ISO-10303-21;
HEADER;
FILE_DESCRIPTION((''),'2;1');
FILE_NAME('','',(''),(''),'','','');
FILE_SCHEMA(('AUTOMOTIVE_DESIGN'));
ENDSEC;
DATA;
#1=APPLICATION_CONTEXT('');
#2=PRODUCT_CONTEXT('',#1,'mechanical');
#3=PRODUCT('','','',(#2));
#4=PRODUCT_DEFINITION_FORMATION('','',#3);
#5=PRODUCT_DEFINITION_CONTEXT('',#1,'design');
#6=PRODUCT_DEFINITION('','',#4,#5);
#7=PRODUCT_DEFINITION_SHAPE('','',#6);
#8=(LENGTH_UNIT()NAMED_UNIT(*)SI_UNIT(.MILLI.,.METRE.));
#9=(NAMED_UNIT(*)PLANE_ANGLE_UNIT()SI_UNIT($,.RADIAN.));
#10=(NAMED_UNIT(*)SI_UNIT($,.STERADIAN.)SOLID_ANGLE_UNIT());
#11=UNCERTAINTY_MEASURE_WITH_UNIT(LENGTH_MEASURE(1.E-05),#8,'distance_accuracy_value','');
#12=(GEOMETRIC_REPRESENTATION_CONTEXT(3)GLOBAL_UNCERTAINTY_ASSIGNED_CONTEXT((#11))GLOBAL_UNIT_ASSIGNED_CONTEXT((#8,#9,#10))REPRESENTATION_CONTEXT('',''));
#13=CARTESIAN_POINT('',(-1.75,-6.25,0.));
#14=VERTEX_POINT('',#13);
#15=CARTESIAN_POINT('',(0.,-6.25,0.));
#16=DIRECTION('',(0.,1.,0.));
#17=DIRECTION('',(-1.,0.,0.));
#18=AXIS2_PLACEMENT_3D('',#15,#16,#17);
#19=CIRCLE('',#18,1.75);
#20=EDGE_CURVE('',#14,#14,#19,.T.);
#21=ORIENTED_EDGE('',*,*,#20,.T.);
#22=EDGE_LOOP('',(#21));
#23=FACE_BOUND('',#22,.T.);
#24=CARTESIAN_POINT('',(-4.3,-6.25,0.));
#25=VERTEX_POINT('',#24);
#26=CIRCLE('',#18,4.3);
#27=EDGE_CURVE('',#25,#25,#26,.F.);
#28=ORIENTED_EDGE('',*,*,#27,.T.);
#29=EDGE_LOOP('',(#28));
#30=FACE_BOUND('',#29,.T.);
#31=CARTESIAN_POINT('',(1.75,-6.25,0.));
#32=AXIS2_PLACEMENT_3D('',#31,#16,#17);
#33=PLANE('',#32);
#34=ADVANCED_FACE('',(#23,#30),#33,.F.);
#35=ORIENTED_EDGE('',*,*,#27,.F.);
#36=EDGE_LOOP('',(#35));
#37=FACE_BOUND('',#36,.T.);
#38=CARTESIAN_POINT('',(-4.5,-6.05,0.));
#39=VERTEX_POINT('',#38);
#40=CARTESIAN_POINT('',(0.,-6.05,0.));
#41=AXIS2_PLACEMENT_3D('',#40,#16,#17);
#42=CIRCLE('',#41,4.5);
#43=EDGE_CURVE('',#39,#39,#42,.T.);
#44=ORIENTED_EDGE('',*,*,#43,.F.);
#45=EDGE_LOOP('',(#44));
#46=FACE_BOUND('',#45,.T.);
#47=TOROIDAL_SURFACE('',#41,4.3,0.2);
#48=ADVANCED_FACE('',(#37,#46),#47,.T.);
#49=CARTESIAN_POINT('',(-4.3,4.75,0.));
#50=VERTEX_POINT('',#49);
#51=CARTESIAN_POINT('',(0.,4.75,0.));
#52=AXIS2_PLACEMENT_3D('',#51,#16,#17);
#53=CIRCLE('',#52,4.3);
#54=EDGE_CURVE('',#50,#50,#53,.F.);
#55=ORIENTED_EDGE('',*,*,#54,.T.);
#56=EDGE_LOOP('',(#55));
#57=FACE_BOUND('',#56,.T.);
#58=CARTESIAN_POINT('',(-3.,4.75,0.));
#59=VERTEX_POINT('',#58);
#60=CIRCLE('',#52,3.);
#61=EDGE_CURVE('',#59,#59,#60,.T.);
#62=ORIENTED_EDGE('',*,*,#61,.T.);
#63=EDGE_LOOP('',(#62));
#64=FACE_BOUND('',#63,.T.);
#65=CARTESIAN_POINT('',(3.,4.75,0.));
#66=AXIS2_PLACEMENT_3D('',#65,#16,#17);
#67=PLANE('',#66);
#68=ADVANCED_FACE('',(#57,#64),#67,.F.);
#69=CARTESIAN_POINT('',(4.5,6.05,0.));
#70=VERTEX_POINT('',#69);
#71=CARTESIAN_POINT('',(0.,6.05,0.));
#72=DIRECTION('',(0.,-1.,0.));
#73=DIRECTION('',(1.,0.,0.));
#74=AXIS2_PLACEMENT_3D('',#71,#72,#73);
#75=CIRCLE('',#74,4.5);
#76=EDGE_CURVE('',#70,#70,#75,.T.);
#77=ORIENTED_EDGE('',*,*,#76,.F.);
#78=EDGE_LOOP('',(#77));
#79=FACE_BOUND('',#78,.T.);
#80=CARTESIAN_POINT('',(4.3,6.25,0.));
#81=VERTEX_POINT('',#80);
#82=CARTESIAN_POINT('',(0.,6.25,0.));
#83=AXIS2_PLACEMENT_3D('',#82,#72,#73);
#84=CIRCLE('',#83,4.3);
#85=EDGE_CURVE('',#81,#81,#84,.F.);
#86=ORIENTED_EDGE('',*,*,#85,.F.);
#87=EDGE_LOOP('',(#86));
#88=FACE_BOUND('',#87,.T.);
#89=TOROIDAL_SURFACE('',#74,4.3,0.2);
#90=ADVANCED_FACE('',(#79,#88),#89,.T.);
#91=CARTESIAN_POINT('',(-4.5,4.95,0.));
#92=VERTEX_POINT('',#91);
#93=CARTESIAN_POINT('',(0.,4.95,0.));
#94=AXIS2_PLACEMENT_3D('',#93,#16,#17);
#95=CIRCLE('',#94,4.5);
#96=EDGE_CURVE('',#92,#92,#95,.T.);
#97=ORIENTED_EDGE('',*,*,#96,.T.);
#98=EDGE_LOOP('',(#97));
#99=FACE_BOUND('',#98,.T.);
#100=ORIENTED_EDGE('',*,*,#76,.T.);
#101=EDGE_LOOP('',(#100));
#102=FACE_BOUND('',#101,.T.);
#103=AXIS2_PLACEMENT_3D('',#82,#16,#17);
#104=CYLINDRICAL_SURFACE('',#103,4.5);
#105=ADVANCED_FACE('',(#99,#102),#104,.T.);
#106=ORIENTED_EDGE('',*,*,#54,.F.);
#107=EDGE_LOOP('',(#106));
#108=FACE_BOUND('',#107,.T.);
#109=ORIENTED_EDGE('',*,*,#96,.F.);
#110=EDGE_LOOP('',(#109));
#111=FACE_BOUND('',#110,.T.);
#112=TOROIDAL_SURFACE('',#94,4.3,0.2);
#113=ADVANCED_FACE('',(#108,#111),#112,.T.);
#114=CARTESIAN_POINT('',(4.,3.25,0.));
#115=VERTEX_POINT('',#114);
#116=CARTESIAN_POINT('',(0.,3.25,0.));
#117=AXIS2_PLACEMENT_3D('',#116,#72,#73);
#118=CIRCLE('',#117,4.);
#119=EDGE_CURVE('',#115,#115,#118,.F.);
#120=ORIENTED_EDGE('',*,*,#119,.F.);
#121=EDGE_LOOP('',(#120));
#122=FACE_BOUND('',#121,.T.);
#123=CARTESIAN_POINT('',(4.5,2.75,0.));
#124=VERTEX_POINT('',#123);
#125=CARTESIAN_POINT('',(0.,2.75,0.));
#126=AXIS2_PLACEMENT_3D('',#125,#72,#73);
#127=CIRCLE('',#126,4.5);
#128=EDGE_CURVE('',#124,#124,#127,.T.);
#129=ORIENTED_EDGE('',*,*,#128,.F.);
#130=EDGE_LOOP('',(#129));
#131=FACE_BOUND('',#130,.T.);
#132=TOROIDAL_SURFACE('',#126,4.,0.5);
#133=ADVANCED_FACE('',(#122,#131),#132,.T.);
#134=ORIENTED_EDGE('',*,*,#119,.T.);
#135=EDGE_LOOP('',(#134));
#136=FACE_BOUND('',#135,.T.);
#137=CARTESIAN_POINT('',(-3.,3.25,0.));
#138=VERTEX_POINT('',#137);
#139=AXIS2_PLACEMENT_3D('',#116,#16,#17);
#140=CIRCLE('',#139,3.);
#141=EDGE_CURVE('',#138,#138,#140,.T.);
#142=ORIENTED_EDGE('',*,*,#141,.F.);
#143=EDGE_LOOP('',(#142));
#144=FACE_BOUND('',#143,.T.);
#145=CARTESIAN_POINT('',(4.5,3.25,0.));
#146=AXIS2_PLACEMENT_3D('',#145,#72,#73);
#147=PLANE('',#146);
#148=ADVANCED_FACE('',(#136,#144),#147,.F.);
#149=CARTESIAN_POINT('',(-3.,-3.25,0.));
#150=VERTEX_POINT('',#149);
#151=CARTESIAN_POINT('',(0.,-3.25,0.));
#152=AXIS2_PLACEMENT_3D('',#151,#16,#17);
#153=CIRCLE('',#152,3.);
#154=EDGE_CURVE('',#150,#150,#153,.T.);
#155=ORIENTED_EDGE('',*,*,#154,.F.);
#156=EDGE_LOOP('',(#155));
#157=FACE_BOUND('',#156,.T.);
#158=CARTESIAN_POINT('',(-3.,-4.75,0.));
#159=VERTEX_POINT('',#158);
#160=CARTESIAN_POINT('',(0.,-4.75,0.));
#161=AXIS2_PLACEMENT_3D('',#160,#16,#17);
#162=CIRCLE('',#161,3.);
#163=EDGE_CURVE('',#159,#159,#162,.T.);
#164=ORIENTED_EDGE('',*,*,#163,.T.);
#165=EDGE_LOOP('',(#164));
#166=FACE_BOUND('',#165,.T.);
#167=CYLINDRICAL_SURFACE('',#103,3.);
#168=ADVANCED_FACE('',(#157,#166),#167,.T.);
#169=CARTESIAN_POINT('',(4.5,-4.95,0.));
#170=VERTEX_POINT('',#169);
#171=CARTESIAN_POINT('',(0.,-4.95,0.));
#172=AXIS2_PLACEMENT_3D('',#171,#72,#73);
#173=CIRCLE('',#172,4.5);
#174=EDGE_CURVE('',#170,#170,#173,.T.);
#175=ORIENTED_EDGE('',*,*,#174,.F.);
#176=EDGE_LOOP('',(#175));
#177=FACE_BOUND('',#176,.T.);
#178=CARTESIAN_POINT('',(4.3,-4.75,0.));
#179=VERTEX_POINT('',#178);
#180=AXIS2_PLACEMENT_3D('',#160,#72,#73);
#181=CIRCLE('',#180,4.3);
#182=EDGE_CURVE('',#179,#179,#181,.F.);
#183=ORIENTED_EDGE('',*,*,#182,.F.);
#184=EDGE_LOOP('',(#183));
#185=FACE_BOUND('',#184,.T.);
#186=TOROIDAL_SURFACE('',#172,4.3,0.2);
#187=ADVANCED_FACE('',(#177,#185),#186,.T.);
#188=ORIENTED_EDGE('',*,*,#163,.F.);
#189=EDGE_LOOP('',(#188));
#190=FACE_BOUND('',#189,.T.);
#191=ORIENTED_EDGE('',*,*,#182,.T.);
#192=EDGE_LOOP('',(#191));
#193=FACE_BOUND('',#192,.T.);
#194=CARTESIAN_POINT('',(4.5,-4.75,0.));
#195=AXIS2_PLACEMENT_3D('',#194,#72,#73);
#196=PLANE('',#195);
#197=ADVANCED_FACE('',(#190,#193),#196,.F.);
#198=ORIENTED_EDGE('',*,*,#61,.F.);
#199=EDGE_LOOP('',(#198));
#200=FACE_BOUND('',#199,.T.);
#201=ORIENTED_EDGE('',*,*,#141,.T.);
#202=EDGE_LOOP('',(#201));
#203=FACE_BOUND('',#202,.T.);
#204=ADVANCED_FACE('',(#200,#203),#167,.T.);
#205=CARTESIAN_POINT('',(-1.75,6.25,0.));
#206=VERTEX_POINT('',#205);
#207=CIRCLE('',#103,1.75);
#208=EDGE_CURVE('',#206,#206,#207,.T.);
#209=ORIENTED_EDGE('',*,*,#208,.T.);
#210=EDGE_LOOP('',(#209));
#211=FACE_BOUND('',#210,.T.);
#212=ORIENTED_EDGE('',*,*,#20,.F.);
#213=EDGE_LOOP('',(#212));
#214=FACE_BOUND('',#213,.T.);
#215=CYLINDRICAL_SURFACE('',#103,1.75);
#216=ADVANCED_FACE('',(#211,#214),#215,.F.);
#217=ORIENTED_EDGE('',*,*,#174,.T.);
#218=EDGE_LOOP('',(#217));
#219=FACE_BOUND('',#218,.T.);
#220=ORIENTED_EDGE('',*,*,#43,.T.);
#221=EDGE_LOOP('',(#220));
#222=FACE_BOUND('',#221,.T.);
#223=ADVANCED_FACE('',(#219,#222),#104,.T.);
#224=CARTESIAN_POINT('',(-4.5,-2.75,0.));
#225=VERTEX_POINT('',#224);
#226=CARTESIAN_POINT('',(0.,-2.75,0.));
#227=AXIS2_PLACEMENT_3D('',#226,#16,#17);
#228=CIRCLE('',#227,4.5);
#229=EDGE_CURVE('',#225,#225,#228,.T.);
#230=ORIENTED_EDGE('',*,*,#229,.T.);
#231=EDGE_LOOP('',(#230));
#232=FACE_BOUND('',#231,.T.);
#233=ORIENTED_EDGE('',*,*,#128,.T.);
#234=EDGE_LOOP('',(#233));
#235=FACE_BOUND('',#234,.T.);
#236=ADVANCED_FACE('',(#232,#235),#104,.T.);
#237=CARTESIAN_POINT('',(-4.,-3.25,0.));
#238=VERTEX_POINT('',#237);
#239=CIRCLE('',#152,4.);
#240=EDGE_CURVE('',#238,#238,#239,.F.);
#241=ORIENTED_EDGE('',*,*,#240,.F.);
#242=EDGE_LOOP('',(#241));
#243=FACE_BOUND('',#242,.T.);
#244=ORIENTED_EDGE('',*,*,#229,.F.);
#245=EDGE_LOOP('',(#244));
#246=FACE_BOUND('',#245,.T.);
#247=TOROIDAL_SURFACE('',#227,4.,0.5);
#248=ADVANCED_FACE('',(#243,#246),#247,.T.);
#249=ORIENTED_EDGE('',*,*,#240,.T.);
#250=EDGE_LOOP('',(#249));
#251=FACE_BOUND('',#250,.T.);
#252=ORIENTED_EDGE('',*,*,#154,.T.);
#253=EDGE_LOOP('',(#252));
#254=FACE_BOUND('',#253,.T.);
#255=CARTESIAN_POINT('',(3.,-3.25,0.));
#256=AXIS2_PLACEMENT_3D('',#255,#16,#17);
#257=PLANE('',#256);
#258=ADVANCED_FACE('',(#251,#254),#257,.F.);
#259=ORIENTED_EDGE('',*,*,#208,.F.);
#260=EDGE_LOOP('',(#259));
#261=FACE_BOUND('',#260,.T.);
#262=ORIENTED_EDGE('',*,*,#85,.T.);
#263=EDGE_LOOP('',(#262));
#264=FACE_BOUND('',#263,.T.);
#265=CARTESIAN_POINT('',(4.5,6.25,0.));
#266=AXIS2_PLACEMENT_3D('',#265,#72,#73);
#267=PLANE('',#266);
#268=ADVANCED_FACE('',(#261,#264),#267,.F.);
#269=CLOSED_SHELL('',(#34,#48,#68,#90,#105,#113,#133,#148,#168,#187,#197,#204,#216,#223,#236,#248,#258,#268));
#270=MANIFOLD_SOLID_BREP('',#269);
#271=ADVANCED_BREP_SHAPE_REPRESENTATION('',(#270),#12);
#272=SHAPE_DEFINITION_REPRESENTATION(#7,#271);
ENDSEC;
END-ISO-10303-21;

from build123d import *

# Parameters (mm, degrees)
FILLET1_R = 0.5
FILLET2_R = 0.2


with BuildPart() as part:
    # Sketch1 → Revolve1 (revolve)
    with BuildSketch(Plane.XY, mode=Mode.PRIVATE) as revolve1_sk:
        Polygon((1.75, 6.25), (1.75, -6.25), (4.5, -6.25), (4.5, -4.75), (3, -4.75), (3, -3.25), (4.5, -3.25), (4.5, 3.25), (3, 3.25), (3, 4.75), (4.5, 4.75), (4.5, 6.25), align=None)
    revolve(revolve1_sk.sketch.rotate(Axis((0, 6.25, 0), (0, -1, 0)), 180), axis=Axis((0, 6.25, 0), (0, -1, 0)))

    # Fillet1
    fillet1_edges = [part.edges().sort_by_distance(p)[0] for p in [
        (4.5, 3.25, 0),
        (4.5, -3.25, 0),
    ]]
    fillet(fillet1_edges, radius=FILLET1_R)

    # Fillet2
    fillet2_edges = [part.edges().sort_by_distance(p)[0] for p in [
        (4.5, -4.75, 0),
        (4.5, -6.25, 0),
        (4.5, 6.25, 0),
        (4.5, 4.75, 0),
    ]]
    fillet(fillet2_edges, radius=FILLET2_R)


solid = part.part
